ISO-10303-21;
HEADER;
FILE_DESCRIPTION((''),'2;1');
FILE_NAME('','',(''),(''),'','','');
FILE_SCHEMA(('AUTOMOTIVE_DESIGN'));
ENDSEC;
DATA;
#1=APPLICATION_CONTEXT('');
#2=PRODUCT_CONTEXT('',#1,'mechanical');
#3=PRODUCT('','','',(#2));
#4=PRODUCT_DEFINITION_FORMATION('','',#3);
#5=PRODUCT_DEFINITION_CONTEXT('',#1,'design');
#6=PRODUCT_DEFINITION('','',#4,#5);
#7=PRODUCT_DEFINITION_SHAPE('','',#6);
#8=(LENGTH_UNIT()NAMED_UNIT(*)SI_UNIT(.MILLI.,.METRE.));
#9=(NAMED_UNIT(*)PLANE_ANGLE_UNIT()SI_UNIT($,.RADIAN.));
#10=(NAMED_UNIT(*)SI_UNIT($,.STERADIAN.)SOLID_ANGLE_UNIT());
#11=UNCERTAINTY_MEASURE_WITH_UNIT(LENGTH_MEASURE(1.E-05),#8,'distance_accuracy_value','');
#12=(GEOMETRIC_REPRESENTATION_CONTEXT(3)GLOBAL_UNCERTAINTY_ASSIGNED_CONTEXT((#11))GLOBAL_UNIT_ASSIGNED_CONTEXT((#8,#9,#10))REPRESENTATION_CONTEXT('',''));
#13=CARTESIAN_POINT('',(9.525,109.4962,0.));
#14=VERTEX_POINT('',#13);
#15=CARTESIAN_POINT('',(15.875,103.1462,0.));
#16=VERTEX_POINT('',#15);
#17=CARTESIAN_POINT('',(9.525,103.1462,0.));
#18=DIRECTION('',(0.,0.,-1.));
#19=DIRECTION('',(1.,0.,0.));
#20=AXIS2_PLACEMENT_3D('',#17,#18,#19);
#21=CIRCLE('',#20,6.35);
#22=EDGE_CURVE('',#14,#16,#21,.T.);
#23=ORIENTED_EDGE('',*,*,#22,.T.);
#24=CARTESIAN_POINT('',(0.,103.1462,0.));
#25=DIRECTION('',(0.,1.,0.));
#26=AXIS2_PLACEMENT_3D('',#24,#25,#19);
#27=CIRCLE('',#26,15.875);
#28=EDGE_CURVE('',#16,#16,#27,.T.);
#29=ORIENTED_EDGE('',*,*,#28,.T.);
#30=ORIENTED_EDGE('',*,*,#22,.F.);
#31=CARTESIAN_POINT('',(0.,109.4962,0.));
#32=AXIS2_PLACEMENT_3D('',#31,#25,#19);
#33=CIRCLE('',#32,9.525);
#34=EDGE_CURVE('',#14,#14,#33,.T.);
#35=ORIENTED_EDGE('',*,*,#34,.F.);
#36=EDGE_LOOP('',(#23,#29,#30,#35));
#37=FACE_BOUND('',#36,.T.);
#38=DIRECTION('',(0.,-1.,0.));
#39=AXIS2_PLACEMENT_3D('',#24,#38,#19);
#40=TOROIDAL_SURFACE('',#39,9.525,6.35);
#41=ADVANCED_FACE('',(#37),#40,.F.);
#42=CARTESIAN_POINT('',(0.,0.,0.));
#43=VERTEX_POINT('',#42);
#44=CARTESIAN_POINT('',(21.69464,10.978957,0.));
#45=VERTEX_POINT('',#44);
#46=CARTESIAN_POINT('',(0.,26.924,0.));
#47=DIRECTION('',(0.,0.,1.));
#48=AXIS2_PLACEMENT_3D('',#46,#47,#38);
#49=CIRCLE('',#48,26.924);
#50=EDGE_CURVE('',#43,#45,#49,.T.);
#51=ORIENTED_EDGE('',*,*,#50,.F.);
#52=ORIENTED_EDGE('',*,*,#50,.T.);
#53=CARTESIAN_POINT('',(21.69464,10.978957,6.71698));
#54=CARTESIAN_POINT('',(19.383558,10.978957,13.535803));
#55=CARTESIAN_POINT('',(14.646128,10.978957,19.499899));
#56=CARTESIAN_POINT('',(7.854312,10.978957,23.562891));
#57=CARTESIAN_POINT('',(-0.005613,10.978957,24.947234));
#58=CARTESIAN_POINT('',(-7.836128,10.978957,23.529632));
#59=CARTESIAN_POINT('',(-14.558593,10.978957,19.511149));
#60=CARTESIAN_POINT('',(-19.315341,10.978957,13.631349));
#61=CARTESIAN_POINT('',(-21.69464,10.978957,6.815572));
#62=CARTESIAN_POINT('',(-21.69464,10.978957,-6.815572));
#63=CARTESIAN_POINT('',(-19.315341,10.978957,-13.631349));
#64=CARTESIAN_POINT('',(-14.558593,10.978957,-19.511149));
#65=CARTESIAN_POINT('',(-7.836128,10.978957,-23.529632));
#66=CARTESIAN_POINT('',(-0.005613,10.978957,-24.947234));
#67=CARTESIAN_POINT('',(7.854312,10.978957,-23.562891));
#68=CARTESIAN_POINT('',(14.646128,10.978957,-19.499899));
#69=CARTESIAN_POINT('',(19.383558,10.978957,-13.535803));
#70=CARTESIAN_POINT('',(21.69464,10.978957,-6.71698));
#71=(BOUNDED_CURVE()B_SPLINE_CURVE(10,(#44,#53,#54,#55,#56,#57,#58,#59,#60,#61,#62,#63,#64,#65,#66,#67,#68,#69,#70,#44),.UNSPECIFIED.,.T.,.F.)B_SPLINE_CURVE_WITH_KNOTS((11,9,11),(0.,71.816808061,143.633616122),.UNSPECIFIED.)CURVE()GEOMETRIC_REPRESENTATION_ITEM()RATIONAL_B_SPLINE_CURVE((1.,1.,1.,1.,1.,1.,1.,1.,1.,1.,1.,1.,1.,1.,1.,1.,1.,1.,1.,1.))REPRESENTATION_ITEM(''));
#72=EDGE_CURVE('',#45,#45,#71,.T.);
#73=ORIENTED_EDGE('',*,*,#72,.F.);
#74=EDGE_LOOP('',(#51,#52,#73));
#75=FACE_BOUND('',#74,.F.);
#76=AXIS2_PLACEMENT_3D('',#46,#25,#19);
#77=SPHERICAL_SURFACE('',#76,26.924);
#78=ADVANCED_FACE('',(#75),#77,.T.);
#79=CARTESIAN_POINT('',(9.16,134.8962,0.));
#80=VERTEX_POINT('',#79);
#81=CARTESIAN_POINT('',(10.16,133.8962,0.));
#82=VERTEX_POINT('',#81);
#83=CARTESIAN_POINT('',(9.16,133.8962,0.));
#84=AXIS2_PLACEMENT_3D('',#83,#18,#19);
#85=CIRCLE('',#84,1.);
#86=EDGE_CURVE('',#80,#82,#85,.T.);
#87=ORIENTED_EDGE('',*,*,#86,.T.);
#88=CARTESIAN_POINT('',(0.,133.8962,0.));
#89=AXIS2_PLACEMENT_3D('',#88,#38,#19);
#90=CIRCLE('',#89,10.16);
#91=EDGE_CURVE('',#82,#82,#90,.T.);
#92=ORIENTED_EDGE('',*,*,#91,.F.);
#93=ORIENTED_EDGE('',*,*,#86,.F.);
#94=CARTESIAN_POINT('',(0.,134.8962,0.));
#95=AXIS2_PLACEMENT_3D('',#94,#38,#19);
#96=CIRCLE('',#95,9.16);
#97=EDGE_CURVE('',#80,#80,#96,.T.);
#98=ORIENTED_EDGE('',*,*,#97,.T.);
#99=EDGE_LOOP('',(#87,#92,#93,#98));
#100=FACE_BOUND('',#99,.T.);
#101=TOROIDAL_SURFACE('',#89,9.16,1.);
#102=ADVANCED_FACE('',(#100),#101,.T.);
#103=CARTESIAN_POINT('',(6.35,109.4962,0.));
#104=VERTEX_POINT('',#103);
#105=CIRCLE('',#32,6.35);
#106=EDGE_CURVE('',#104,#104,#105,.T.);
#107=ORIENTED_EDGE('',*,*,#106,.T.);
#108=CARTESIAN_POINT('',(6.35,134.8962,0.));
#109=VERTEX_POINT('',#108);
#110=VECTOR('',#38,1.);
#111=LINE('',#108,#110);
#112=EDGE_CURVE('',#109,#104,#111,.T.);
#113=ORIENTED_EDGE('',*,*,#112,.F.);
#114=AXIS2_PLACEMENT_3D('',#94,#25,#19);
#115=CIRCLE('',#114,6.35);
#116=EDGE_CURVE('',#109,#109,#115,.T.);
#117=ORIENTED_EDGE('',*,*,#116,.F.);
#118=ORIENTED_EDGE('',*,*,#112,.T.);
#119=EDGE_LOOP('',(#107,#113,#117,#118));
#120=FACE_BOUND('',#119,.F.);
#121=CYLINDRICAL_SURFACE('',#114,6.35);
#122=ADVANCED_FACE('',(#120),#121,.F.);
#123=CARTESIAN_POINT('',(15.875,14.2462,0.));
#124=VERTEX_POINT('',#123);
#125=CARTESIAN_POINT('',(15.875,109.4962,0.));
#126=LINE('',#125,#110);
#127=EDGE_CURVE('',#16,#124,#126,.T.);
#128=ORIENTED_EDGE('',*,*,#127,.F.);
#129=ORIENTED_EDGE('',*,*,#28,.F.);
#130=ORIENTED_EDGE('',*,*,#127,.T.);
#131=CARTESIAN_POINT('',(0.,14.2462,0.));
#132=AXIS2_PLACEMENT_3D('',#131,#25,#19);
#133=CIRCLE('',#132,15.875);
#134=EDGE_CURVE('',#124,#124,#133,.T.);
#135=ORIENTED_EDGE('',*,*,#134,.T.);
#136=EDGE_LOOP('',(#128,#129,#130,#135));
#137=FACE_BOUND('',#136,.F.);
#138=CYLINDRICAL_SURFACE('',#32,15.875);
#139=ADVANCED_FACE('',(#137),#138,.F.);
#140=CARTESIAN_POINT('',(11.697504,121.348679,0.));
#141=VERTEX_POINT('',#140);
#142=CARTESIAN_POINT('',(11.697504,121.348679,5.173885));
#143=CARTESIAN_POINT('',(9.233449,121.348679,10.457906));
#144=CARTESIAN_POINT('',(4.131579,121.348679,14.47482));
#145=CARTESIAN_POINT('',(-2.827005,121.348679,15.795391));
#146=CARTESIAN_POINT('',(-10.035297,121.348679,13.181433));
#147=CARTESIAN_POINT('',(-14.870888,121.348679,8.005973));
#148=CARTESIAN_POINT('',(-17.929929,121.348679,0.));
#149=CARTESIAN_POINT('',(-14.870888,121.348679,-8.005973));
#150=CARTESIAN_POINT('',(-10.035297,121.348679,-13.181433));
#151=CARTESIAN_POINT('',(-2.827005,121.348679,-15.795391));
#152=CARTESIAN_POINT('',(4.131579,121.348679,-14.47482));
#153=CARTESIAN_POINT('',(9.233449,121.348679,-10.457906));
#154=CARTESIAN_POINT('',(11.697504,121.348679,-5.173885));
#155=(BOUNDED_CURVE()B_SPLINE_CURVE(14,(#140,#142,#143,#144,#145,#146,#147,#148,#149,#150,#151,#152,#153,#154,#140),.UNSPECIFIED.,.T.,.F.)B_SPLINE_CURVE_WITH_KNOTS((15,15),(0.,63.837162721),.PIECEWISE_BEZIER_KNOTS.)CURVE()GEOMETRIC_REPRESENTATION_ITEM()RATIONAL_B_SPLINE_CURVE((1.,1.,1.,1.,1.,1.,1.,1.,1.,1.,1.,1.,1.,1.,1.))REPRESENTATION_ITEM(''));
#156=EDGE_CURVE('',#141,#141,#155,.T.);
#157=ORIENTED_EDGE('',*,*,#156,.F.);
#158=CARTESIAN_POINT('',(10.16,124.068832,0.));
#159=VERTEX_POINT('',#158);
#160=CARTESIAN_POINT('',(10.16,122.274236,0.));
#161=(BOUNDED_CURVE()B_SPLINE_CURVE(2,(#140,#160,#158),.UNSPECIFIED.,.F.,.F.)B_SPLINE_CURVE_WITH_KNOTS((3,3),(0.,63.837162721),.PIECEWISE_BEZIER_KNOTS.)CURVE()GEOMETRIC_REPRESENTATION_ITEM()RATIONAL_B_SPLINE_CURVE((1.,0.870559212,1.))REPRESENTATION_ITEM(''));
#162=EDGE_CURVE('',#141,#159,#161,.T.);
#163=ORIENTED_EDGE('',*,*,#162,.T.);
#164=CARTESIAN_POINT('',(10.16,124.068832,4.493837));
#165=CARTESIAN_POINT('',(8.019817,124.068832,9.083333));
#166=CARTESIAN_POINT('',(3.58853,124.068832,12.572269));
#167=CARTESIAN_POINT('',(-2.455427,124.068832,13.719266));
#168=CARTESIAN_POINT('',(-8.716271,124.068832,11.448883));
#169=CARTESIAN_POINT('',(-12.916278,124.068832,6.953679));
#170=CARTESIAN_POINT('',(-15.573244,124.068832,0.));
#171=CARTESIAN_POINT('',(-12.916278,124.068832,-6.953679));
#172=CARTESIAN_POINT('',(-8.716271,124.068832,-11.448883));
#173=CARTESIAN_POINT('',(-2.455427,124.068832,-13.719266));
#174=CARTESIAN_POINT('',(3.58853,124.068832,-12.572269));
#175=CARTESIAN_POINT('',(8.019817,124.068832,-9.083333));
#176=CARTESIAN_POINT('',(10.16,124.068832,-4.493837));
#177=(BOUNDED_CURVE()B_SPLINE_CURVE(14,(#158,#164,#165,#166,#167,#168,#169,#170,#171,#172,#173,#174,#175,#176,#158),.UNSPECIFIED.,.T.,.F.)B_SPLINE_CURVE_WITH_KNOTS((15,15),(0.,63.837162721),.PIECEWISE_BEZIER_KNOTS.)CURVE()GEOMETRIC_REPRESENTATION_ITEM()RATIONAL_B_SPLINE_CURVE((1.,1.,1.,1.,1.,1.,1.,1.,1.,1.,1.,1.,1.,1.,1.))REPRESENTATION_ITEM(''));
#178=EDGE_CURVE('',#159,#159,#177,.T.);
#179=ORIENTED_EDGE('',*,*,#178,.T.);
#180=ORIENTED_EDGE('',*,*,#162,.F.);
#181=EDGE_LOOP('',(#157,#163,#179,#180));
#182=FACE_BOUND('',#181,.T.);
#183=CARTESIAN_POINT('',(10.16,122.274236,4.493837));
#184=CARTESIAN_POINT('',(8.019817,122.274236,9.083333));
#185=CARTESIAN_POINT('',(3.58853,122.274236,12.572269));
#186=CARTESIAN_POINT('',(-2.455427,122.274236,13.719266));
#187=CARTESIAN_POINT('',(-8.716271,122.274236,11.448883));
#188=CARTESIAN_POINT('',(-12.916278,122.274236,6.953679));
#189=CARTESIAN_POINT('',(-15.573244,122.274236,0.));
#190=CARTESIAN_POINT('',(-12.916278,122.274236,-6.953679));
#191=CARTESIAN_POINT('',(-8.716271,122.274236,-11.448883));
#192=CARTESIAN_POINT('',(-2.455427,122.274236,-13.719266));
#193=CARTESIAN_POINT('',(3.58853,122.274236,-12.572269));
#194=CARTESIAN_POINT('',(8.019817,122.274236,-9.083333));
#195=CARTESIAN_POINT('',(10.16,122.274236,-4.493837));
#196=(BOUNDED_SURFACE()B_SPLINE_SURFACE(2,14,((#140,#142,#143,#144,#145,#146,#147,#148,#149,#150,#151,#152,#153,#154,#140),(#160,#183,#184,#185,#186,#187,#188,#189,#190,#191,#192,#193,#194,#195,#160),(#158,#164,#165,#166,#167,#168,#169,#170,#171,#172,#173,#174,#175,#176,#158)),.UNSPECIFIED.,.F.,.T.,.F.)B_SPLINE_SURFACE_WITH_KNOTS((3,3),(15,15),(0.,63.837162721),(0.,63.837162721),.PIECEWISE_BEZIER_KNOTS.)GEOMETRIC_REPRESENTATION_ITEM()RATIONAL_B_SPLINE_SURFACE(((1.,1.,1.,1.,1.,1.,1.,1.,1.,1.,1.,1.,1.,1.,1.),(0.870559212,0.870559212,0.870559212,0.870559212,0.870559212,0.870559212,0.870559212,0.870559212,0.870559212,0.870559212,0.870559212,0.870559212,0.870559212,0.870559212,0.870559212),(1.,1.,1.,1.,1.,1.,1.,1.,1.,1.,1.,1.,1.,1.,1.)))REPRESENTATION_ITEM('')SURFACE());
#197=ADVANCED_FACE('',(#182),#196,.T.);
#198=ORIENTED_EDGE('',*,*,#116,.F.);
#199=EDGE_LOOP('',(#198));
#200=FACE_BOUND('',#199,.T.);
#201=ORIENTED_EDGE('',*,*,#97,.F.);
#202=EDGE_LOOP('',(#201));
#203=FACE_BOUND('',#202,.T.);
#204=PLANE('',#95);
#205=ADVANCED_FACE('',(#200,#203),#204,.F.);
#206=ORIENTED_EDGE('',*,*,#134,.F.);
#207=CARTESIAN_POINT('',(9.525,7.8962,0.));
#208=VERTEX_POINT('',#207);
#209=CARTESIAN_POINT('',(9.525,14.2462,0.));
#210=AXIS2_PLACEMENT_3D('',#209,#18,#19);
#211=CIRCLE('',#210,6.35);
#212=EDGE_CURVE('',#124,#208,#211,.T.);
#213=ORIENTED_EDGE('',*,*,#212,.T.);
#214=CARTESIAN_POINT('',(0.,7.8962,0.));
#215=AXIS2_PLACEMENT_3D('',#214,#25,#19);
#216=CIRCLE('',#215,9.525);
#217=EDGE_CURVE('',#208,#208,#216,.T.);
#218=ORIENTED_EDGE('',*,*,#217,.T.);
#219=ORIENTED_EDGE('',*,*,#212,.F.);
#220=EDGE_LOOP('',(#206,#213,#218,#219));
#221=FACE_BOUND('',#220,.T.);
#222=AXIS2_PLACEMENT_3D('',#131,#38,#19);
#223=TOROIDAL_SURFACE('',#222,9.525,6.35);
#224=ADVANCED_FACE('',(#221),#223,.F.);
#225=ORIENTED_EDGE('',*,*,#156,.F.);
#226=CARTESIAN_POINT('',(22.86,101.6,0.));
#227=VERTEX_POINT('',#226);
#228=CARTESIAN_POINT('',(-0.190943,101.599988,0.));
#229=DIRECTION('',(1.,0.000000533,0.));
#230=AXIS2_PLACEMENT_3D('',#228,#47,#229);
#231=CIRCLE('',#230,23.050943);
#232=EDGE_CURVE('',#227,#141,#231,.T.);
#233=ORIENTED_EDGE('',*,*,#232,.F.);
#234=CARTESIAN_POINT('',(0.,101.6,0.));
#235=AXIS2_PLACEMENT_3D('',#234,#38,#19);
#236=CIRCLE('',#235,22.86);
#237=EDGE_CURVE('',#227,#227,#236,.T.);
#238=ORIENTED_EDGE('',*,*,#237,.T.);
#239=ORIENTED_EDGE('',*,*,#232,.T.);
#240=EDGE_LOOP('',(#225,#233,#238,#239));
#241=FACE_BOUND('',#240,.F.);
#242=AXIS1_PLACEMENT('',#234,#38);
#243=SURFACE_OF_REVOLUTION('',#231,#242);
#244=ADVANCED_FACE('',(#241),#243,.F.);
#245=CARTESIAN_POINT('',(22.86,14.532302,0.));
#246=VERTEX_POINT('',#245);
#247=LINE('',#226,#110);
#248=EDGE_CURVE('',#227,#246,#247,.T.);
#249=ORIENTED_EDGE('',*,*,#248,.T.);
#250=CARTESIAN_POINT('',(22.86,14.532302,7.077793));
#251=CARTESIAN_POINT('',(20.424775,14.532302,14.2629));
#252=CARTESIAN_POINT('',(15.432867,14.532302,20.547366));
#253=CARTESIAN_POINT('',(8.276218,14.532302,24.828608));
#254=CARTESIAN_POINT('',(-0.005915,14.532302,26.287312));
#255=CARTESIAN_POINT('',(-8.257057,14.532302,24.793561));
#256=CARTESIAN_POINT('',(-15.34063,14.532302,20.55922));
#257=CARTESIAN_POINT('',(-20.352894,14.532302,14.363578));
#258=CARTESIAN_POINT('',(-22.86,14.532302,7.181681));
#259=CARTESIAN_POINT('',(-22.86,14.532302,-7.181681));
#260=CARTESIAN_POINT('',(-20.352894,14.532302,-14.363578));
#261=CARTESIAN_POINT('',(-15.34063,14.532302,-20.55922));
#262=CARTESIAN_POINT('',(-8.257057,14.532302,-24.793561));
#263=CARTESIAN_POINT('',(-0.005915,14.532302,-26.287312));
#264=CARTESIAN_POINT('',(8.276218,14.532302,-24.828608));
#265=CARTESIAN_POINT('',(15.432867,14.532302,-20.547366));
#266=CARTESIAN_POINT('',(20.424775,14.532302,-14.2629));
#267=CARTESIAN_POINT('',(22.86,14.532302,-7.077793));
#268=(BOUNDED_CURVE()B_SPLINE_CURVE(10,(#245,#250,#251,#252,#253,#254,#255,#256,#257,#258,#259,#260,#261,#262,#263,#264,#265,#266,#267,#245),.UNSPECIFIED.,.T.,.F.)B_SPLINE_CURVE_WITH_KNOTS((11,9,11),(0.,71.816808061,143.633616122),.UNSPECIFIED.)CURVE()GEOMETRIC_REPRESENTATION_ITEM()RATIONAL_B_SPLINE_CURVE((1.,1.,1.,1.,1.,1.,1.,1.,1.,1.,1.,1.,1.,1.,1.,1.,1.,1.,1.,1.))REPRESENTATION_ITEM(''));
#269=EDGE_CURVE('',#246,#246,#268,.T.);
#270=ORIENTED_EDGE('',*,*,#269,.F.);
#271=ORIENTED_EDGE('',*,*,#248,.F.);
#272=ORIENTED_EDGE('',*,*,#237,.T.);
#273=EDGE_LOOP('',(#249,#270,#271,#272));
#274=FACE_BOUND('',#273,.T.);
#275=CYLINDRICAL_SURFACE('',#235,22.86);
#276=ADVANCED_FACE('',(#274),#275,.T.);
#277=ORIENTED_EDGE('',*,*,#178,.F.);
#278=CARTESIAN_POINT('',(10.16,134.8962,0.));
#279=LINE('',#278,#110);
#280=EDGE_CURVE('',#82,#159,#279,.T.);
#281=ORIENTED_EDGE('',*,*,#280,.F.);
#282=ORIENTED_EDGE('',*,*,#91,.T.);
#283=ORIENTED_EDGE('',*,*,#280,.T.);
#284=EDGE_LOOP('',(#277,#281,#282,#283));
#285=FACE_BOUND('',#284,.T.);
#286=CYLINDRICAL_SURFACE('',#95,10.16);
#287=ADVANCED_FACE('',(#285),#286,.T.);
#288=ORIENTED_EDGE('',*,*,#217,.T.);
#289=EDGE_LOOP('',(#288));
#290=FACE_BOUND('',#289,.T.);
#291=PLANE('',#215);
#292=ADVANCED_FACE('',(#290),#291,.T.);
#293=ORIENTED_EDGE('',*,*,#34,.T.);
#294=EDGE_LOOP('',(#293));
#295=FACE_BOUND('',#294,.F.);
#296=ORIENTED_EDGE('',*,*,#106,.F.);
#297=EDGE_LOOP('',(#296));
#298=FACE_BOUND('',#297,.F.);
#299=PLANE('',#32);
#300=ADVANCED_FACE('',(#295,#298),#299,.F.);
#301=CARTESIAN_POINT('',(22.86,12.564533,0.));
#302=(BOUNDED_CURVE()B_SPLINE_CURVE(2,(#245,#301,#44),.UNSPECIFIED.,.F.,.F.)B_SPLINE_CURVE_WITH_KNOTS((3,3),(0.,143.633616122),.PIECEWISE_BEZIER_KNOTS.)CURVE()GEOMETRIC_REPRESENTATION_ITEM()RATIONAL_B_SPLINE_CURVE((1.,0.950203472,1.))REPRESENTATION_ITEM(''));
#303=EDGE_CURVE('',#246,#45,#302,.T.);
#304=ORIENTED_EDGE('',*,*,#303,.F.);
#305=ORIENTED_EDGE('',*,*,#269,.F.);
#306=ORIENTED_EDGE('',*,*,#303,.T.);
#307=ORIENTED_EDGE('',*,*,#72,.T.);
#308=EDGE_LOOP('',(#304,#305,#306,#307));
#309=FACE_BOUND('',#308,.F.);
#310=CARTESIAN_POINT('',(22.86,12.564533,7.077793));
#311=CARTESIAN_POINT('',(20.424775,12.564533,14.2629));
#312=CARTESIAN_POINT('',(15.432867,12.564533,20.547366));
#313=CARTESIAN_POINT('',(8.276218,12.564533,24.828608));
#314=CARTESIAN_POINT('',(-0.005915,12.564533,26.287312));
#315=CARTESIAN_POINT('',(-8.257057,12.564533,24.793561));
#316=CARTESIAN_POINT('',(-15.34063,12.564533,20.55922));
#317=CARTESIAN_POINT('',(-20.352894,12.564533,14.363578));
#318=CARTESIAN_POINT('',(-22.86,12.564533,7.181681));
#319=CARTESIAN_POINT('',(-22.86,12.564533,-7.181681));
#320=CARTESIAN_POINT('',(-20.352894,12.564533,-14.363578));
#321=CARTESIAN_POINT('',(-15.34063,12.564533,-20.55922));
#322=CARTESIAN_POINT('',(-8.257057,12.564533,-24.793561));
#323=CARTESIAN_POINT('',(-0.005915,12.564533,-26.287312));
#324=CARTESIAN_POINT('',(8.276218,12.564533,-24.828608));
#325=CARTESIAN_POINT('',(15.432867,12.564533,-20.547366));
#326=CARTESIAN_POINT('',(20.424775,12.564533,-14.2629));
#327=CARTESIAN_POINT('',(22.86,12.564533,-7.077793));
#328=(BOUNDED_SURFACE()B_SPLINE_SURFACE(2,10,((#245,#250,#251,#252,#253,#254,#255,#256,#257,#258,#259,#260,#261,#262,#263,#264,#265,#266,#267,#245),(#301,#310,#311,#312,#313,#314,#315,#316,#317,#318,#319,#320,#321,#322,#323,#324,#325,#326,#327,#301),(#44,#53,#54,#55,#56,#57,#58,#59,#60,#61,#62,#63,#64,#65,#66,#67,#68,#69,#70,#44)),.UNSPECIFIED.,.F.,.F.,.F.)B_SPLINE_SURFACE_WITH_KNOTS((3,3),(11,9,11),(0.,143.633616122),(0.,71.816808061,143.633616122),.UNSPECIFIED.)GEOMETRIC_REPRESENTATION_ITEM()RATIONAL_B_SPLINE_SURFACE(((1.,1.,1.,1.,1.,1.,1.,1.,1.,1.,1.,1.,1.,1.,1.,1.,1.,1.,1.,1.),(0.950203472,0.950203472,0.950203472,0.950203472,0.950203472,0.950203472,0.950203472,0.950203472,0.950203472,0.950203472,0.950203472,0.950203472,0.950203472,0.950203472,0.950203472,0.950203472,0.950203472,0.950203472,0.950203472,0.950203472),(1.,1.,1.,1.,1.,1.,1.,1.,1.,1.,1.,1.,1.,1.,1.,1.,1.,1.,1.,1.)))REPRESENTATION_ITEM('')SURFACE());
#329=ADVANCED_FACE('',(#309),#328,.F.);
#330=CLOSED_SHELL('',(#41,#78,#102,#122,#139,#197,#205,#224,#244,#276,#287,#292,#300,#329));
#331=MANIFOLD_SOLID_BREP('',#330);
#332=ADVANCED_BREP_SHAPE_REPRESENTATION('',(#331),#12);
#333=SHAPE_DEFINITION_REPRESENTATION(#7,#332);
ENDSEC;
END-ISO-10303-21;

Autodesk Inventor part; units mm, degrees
ref_plane "YZ Plane" through (0, 0, 0) normal (1, 0, 0) x (0, 1, 0)
ref_plane "XZ Plane" through (0, 0, 0) normal (0, 1, 0) x (-1, 0, 0)
ref_plane "XY Plane" through (0, 0, 0) normal (0, 0, 1) x (1, 0, 0)
sketch "Sketch1" plane through (0, 0, 0) normal (0, 0, 1) x (1, 0, 0)
  line L0 (22.86, 101.6) -> (22.86, 12.7)
  line L1 (22.86, 101.6) -> (0, 101.6) construction
  line L2 (0, 101.6) -> (0, 12.7)
  line L3 (0, 12.7) -> (22.86, 12.7)
  line L4 (0, 101.6) -> (0, 122.1962)
  line L5 (0, 122.1962) -> (10.16, 122.1962) construction
  line L6 (10.16, 122.1962) -> (0, 122.1962)
  line L7 (0, 122.1962) -> (0, 134.8962)
  line L8 (0, 134.8962) -> (10.16, 134.8962)
  line L9 (10.16, 134.8962) -> (10.16, 122.1962)
  line L10 (0, 12.7) -> (0, 0)
  arc A0 (0, 0) -> (22.86, 12.7) centre (0, 26.924) ccw
  line L11 (0, 0) -> (22.86, 0) construction
  line L12 (22.86, 0) -> (22.86, 12.7) construction
  arc A1 (22.86, 101.6) -> (10.16, 122.1962) centre (-0.1909, 101.6) ccw
  point P0 (0, 122.1962)
  dimension "d0" = 88.9
  dimension "d1" = 22.86
  dimension "d3" = 10.16
  dimension "d4" = 12.7
  dimension "d5" = 12.7
revolve "Revolution1" add sketch "Sketch1" angle 360 about axis through (0, 101.6, 0) along (0, -1, 0)
fillet "Fillet1" radius 6 1 edges at (-22.86, 12.7, 0)
fillet "Fillet2" radius 3.175 1 edges at (-10.16, 122.1962, 0)
sketch "Sketch2" plane through (0, 134.8962, 0) normal (0, 1, 0) x (1, 0, 0)
  circle A0 centre (0, 0) radius 10.16 projected
  circle A1 centre (0, 0) radius 6.35
  point P0 (0, 0)
  dimension "d9" = 12.7
extrude "Extrusion1" cut sketch "Sketch2" against normal blind 25.4 contours A1
sketch "Sketch3" plane through (0, 109.4962, 0) normal (0, 1, 0) x (1, 0, 0)
  circle A0 centre (0, 0) radius 15.875
  dimension "d12" = 31.75
extrude "Extrusion2" cut sketch "Sketch3" against normal blind 101.6
fillet "Fillet3" radius 6.35 2 edges at (-15.875, 109.4962, 0) (-15.875, 7.8962, 0)
fillet "Fillet4" radius 1 1 edges at (-10.16, 134.8962, 0)
properties part number "CO2Cartridge16g"
